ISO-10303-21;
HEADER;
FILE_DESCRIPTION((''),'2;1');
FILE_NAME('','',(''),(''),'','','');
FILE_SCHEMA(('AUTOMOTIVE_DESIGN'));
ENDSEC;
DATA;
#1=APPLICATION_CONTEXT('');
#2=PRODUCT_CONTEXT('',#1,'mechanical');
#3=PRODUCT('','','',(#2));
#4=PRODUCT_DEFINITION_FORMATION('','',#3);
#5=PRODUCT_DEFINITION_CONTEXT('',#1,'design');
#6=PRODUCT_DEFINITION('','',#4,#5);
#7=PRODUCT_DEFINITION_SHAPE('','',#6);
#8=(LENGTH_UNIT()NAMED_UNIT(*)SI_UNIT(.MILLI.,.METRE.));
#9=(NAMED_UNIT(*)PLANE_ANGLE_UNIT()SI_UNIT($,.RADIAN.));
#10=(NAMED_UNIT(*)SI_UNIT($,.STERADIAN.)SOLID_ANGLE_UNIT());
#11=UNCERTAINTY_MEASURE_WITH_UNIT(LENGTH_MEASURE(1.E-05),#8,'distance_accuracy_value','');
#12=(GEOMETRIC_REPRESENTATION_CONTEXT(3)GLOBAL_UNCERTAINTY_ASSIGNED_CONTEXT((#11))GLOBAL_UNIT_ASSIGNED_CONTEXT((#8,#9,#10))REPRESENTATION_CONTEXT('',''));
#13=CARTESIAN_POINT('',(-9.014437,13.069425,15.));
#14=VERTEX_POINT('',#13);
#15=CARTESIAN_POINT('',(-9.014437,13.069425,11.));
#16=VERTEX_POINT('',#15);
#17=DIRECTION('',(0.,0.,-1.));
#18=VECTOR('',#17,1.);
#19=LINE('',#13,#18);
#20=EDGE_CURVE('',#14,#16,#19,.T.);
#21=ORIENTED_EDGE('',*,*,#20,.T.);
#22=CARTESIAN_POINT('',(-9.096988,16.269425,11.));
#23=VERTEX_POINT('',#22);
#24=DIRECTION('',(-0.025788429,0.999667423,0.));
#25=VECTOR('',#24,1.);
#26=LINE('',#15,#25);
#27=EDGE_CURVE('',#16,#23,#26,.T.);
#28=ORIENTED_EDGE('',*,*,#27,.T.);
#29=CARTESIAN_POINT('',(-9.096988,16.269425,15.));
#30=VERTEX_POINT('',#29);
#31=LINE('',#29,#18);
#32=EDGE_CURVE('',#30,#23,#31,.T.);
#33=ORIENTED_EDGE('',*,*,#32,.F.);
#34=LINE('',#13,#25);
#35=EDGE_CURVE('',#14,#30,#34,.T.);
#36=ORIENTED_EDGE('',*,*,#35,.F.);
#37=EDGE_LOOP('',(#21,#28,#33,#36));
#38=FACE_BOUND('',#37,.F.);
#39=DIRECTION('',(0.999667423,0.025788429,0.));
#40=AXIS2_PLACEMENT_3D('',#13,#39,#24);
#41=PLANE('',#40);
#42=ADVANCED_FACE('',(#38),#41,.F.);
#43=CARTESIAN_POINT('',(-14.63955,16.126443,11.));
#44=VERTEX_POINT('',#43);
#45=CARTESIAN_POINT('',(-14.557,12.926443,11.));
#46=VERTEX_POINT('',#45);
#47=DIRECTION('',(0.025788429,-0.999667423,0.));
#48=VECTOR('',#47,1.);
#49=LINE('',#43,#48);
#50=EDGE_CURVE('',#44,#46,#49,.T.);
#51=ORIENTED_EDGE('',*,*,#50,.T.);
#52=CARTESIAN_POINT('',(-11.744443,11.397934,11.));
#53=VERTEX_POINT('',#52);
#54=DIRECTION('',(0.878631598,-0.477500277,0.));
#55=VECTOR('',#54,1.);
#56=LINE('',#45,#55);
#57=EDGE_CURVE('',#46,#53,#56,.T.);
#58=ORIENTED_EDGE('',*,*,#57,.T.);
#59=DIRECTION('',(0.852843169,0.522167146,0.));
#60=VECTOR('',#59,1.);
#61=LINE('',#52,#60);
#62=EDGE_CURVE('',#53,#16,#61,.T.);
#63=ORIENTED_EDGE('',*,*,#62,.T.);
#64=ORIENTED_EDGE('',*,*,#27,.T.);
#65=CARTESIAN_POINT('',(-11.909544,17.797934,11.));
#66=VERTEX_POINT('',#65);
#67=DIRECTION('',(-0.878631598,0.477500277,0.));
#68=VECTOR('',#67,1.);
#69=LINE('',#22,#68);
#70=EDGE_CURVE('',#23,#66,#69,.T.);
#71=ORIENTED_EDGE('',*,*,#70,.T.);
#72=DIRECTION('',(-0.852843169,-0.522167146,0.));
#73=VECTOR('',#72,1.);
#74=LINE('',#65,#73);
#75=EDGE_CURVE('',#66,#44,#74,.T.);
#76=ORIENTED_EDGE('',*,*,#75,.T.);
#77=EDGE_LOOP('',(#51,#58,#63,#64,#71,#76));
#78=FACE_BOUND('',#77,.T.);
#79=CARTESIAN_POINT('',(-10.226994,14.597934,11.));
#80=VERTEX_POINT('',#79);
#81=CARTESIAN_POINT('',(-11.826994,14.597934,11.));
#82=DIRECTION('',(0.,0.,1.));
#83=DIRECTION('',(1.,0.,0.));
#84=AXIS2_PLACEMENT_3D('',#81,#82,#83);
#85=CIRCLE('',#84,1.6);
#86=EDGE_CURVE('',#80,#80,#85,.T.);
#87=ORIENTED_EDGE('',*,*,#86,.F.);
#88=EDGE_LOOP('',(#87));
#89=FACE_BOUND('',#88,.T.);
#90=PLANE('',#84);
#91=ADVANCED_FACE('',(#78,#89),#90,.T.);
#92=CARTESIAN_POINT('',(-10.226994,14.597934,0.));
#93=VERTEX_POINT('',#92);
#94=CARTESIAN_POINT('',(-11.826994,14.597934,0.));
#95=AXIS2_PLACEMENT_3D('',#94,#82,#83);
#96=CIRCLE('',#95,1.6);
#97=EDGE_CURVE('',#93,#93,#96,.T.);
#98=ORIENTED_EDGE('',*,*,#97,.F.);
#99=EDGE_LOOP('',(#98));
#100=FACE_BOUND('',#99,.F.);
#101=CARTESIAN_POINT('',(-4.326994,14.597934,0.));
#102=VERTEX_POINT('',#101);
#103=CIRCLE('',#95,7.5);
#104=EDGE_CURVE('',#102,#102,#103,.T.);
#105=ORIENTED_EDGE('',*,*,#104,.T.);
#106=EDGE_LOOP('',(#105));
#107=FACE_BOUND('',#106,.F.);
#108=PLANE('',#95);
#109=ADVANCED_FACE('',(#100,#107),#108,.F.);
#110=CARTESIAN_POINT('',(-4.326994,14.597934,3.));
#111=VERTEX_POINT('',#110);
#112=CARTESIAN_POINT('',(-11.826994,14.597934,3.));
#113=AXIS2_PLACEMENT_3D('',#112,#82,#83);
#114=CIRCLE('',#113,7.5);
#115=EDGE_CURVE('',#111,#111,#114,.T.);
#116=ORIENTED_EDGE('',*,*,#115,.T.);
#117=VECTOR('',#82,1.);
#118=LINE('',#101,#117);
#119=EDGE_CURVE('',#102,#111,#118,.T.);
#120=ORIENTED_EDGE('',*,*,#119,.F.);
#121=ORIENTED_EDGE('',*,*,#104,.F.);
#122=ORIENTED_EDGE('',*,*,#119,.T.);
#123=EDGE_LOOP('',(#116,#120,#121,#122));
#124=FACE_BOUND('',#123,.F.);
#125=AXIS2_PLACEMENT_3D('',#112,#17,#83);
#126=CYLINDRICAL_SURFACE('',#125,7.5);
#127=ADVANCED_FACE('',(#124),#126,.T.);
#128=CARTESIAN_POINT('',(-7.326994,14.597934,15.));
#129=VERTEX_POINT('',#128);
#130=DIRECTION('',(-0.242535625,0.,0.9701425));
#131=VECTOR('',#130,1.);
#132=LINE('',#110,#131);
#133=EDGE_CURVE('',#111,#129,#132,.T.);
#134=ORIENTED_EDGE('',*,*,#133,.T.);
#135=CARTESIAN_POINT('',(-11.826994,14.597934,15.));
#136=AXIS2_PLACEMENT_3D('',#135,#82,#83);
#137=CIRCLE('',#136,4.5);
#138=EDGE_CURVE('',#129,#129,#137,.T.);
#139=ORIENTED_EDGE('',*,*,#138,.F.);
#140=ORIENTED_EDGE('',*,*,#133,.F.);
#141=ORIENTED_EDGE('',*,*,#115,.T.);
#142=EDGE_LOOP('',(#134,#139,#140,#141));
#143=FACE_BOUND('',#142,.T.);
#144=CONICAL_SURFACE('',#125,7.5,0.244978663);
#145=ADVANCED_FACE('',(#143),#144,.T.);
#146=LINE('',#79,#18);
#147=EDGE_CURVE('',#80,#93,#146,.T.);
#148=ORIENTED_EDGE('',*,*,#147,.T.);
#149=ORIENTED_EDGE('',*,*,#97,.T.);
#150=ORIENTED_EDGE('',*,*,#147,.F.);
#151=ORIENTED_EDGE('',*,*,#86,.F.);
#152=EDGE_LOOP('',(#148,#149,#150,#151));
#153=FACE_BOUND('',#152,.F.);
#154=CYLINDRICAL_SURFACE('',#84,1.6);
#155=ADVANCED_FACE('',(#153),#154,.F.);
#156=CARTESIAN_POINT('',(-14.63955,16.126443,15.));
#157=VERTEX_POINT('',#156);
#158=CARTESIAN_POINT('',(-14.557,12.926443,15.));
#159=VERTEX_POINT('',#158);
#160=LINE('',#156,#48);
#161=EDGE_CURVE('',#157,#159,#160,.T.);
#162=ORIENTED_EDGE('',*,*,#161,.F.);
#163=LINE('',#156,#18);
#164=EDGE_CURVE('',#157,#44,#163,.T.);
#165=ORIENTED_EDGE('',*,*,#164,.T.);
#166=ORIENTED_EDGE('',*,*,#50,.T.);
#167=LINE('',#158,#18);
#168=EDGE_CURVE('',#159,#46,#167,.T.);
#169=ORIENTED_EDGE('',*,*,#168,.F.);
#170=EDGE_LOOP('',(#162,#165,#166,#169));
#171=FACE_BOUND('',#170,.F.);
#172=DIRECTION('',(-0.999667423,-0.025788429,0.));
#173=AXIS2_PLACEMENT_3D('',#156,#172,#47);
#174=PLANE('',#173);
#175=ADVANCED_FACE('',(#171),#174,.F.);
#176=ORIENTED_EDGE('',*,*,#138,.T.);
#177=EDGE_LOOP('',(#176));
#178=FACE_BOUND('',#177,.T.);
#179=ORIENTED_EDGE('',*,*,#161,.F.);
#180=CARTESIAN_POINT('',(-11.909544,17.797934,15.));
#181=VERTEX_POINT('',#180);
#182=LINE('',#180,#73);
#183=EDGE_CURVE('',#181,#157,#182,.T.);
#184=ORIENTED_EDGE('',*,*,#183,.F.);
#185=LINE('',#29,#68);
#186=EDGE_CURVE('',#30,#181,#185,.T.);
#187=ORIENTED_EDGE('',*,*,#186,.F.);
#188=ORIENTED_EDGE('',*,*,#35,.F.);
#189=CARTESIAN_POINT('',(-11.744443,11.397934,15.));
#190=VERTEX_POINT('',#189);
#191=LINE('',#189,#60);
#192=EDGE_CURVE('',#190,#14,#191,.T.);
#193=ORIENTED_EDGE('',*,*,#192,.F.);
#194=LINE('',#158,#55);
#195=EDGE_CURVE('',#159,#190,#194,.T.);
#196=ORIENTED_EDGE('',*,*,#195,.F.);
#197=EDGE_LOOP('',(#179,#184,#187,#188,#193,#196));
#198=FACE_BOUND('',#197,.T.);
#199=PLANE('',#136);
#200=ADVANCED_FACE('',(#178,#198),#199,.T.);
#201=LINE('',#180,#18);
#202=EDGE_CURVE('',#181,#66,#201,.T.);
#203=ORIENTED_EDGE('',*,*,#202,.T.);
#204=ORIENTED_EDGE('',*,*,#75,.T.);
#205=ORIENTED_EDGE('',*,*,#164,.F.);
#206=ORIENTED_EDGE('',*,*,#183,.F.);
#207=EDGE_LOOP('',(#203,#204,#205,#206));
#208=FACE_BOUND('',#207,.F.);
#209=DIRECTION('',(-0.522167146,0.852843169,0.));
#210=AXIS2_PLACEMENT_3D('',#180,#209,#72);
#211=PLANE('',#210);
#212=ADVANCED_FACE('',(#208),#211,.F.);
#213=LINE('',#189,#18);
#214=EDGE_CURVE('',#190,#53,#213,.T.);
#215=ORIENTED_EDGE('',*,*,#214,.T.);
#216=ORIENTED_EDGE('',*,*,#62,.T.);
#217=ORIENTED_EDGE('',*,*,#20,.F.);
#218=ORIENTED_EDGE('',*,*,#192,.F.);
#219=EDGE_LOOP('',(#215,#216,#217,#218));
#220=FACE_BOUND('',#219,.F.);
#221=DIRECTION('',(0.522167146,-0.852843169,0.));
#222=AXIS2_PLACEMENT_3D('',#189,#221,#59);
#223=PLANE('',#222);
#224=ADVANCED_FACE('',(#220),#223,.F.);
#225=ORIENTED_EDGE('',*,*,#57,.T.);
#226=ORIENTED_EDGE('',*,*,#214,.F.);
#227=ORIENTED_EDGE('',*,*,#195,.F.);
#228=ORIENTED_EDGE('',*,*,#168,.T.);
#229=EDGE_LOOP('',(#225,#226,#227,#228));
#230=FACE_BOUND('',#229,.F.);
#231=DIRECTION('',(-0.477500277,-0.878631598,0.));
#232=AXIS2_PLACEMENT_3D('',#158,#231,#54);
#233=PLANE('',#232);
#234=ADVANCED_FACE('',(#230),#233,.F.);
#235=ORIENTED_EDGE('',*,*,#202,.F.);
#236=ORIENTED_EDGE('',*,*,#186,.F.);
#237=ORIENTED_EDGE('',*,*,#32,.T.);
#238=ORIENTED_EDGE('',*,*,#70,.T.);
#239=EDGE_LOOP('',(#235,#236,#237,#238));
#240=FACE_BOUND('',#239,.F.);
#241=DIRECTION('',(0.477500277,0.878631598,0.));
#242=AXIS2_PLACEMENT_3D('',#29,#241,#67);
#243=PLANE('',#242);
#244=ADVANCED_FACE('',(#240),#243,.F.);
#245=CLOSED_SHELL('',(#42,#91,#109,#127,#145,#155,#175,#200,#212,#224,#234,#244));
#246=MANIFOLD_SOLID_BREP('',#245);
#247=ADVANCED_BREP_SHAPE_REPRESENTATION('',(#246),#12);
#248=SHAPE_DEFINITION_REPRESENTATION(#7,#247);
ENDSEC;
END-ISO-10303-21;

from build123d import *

# Parameters (mm, degrees)
F0_R     = 7.5
F1_DEPTH = 3
F2_R     = 7.5
F3_DEPTH = 12
F4_SIZE2 = 3
F4_SIZE  = 12
F6_DEPTH = 4
F7_R     = 1.6
F8_DEPTH = 11


with BuildPart() as f1:
    # F0 (on Top) → F1 (new body)
    with BuildSketch(Plane.XY):
        with Locations((-11.8269938976, 14.5979337394)):
            Circle(F0_R)
    extrude(amount=F1_DEPTH)

    # F2 (on face) → F3 (join)
    with BuildSketch(Plane.XY.offset(3)):
        with Locations((-11.8269938976, 14.5979337394)):
            Circle(F2_R)
    extrude(amount=F3_DEPTH)

    # F4
    f4_edges = [f1.edges().sort_by_distance(p)[0] for p in [
        (-19.326994, 14.597934, 15),
    ]]
    f4_side = f1.faces().sort_by_distance((-19.326994, 14.597934, 7.5))[0]
    chamfer(f4_edges, length=F4_SIZE, length2=F4_SIZE2, reference=f4_side)

    # F5 (on face) → F6 (cut)
    with BuildSketch(Plane.XY.offset(15)):
        Polygon((-11.9095443248, 17.7979337394), (-14.6395504033, 16.1264429724), (-14.5569999761, 12.9264429724), (-11.7444434704, 11.3979337394), (-9.0144373918, 13.0694245065), (-9.096987819, 16.2694245065), align=None)
    extrude(amount=-F6_DEPTH, mode=Mode.SUBTRACT)

    # F7 (on face) → F8 (cut)
    with BuildSketch(Plane.XY.offset(11)):
        with Locations((-11.8269938976, 14.5979337394)):
            Circle(F7_R)
    extrude(amount=-F8_DEPTH, mode=Mode.SUBTRACT)


solid = f1.part
